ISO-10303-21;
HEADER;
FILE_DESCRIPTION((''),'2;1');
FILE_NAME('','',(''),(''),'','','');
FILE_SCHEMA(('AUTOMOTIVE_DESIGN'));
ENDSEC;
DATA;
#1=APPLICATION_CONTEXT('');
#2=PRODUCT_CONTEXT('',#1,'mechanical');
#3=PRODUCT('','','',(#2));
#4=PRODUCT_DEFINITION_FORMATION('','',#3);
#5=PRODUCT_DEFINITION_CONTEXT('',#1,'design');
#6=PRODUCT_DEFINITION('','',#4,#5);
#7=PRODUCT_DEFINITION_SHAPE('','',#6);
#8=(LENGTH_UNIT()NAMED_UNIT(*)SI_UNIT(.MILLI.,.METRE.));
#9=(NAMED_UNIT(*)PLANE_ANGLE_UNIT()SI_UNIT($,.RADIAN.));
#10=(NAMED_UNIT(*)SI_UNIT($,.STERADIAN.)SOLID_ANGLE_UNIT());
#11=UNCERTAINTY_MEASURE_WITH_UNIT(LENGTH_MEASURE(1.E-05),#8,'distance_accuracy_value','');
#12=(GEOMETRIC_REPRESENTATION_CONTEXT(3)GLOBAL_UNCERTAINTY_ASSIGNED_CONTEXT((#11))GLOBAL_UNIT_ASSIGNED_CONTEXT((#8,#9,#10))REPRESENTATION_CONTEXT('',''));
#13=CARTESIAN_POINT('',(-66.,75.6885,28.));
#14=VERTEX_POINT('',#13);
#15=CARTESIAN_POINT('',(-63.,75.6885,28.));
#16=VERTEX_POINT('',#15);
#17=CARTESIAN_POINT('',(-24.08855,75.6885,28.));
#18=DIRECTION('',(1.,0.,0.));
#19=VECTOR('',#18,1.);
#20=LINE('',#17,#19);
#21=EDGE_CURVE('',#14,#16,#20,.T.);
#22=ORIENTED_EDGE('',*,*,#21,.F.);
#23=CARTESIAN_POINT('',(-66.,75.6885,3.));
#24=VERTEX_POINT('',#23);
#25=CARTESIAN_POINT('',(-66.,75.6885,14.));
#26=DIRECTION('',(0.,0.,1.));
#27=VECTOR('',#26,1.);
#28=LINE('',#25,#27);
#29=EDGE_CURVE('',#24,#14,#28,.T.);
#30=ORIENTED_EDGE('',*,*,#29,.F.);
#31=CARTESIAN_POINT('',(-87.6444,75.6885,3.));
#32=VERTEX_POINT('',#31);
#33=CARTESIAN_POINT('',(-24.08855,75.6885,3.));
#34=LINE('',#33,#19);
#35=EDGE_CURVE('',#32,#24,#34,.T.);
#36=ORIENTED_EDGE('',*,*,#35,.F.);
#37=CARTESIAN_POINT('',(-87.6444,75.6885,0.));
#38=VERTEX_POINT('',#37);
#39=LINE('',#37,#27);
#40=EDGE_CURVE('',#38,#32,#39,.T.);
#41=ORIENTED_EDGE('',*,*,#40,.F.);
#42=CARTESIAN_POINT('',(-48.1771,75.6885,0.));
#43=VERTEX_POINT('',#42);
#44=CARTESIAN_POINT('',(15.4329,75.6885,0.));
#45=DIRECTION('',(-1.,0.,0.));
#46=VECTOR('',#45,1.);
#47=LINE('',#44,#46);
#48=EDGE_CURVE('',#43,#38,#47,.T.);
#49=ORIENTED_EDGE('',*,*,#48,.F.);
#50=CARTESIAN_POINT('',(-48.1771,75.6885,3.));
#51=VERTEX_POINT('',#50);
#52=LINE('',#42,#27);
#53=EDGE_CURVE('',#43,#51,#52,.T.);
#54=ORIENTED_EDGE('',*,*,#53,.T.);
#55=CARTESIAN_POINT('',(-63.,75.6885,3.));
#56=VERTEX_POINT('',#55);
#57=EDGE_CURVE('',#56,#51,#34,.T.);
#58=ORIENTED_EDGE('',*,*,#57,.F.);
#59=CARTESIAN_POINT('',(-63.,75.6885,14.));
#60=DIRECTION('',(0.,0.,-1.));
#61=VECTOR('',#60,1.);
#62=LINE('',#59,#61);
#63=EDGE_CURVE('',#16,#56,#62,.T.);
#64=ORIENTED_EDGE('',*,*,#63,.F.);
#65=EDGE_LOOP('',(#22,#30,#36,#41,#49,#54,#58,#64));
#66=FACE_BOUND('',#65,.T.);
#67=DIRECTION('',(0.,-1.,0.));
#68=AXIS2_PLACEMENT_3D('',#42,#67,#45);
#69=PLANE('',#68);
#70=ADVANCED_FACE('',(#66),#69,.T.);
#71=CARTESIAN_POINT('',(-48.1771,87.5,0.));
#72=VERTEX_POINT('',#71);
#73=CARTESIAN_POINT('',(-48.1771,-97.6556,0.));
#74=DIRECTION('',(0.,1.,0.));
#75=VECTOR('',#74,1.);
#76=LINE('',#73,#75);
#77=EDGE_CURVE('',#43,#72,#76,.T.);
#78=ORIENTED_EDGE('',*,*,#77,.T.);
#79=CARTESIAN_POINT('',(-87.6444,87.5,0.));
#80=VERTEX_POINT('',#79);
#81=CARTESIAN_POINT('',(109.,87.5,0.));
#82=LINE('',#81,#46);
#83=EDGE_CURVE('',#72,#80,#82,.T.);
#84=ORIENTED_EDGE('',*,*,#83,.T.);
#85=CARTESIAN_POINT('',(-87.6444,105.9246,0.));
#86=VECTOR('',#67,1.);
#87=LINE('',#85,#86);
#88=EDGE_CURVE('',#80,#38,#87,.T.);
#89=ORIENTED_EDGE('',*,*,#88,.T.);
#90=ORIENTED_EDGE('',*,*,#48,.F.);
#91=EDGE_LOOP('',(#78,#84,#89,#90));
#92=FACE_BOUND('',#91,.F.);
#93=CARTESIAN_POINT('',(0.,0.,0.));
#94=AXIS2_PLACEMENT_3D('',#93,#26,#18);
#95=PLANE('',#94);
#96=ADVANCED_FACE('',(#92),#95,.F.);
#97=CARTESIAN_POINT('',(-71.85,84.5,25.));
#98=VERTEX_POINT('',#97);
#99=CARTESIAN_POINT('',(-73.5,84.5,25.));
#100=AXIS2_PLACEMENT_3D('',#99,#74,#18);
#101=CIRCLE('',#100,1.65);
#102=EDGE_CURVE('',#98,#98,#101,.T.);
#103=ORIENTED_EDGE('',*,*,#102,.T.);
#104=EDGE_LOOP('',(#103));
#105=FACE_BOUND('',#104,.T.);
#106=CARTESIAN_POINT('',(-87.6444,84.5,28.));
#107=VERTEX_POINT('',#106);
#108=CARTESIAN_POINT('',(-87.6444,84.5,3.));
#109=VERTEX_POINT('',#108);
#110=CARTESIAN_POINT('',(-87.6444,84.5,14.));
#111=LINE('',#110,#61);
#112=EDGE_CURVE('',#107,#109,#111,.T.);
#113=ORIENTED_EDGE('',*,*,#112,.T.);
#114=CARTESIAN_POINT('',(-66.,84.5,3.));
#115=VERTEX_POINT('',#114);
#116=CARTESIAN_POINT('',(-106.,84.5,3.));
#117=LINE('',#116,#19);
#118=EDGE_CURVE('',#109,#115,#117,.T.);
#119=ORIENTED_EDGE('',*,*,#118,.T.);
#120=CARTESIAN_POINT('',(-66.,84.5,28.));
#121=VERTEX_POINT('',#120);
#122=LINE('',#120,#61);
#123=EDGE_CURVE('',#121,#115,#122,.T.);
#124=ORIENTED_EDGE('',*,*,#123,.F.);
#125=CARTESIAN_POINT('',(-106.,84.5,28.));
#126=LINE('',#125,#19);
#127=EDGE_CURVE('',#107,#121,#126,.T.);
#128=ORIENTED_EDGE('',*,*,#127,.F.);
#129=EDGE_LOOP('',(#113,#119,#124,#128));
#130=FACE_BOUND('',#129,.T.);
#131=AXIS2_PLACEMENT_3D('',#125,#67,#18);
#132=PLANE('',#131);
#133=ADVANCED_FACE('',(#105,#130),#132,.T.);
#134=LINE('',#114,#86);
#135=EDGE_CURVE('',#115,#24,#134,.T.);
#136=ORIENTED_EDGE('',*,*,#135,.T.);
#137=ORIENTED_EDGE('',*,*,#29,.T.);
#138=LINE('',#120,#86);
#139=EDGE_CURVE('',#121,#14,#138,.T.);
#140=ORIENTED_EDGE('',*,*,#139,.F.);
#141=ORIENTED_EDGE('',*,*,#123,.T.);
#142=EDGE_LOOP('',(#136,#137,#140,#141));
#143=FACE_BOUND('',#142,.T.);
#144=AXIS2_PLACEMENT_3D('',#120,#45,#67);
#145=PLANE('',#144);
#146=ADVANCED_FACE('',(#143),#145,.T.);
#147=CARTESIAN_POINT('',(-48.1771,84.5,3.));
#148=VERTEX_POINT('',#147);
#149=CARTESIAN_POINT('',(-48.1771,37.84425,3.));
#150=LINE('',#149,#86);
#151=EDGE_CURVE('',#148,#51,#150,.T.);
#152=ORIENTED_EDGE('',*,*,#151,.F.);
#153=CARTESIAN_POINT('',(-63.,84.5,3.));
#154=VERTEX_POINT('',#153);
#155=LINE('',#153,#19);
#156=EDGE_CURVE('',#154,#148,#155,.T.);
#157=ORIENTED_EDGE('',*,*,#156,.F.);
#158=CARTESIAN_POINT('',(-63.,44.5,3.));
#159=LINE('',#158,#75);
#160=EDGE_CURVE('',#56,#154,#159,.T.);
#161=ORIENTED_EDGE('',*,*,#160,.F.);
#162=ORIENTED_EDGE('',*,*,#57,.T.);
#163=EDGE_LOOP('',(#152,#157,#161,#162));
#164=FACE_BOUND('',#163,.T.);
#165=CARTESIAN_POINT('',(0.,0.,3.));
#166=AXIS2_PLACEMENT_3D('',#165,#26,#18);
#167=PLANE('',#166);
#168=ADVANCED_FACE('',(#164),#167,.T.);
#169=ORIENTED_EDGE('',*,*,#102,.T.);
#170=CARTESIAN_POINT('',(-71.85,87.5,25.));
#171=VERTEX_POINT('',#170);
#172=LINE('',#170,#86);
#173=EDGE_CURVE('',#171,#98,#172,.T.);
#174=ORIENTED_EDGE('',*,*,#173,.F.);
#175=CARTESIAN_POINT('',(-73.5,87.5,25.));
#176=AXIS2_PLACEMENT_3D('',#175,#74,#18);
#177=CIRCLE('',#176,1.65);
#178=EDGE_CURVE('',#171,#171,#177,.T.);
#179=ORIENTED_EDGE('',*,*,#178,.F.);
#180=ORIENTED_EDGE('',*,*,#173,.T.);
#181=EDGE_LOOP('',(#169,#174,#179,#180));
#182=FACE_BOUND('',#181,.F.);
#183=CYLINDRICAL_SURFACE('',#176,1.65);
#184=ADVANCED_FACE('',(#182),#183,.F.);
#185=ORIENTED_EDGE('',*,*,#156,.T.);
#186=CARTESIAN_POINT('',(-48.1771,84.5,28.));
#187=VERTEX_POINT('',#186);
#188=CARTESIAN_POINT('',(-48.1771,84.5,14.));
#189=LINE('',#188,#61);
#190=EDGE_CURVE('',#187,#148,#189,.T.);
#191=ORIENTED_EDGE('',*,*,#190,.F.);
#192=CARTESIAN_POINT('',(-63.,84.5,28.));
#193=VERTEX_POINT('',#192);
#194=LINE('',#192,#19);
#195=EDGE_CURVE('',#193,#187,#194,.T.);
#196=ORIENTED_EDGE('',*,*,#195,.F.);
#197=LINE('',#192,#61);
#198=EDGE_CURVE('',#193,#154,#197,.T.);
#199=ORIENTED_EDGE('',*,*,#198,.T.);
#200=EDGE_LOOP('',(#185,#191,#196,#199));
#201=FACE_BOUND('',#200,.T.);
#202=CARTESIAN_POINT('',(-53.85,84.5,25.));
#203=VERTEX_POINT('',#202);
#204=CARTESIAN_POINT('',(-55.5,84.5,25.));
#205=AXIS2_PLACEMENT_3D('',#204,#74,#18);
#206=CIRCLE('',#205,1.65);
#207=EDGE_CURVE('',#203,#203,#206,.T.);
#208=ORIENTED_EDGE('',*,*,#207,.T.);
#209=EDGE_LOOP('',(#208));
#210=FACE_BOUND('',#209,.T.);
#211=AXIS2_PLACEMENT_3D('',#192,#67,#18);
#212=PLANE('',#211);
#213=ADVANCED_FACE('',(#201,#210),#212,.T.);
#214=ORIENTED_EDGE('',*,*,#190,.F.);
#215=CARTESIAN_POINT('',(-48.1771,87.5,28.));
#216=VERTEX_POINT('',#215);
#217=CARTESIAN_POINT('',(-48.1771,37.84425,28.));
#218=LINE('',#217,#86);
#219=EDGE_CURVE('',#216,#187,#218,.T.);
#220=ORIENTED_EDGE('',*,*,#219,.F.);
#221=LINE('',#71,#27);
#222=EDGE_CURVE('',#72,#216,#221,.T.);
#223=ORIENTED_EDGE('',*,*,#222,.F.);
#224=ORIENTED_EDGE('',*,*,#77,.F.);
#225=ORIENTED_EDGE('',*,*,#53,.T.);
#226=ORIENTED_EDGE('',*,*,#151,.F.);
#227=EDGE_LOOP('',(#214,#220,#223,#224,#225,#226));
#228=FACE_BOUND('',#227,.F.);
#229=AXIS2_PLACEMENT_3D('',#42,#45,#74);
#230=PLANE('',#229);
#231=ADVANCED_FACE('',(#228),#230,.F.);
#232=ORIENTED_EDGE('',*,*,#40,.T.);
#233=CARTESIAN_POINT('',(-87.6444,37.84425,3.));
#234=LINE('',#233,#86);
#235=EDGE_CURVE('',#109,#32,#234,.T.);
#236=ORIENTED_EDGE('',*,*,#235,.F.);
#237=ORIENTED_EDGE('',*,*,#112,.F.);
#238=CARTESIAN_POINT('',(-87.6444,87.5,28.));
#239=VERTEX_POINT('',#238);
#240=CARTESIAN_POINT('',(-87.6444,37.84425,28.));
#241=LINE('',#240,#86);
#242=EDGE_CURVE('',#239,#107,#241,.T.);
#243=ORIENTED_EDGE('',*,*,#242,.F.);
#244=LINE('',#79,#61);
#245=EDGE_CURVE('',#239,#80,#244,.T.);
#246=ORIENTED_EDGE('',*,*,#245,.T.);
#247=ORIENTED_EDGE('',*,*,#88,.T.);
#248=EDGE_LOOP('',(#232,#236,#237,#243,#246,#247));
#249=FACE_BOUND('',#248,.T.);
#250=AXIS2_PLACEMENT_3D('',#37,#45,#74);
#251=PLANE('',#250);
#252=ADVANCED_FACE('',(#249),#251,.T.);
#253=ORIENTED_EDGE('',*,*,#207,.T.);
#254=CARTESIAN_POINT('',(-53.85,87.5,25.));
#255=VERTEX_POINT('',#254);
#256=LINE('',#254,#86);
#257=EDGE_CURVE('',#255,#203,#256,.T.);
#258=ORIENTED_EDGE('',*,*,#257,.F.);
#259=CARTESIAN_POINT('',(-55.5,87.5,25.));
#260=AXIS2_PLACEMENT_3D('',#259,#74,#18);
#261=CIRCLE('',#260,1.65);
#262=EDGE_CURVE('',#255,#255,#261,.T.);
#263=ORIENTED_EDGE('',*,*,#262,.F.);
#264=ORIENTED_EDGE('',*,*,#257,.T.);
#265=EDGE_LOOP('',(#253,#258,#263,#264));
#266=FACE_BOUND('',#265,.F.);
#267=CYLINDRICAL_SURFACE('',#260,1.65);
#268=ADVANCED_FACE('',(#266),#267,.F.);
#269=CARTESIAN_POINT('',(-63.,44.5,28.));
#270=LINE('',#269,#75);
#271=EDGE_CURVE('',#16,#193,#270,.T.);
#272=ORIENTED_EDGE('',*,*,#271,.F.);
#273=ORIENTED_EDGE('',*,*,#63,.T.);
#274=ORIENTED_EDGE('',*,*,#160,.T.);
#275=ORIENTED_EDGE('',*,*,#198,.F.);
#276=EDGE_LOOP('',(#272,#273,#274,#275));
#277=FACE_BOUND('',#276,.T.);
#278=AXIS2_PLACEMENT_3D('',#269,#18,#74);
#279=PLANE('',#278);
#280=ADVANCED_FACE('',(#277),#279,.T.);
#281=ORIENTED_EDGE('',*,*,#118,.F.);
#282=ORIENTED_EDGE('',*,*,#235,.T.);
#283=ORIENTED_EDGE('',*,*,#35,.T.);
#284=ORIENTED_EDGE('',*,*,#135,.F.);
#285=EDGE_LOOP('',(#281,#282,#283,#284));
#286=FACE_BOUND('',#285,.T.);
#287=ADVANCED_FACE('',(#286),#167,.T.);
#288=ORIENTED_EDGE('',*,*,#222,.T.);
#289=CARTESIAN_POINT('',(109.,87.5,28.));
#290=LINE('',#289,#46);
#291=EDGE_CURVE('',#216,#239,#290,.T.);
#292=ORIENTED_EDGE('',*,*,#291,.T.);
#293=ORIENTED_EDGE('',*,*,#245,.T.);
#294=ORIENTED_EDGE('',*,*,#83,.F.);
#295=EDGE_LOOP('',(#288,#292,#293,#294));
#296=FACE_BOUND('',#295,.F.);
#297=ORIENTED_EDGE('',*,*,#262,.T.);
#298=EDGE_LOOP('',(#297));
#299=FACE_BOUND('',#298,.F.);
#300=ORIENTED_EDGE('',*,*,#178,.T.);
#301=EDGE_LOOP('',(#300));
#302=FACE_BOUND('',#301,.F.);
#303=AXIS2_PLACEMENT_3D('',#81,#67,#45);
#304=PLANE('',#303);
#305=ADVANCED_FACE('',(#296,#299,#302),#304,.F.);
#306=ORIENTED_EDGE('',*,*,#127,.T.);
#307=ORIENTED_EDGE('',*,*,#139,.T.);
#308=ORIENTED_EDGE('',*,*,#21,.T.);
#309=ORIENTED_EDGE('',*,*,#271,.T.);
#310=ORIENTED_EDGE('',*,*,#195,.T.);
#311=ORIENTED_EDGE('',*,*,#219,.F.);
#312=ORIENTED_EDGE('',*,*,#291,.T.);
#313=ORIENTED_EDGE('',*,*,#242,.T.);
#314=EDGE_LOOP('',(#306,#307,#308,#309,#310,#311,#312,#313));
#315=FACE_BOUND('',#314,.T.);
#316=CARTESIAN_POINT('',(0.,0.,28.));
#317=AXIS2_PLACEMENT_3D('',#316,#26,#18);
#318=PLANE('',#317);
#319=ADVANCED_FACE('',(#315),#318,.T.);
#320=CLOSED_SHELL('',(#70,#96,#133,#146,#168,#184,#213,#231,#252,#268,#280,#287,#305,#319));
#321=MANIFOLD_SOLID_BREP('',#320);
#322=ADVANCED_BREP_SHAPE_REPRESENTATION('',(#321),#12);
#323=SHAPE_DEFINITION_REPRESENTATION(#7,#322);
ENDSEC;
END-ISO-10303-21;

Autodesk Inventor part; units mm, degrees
ref_plane "YZ Plane" through (0, 0, 0) normal (1, 0, 0) x (0, 1, 0)
ref_plane "XZ Plane" through (0, 0, 0) normal (0, 1, 0) x (-1, 0, 0)
ref_plane "XY Plane" through (0, 0, 0) normal (0, 0, 1) x (1, 0, 0)
sketch "Sketch1" plane through (0, 0, 0) normal (0, 0, 1) x (1, 0, 0)
  line L0 (-109, -87.5) -> (109, -87.5)
  line L1 (109, -87.5) -> (109, 87.5)
  line L2 (109, 87.5) -> (-109, 87.5)
  line L3 (-109, 87.5) -> (-109, -87.5)
  line L4 (-109, -87.5) -> (109, 87.5) construction
  line L5 (109, -87.5) -> (-109, 87.5) construction
  point P0 (0, 0)
  dimension "d0" = 218
  dimension "d1" = 175
extrude "Extrusion1" add sketch "Sketch1" along normal blind 28
sketch "Sketch2" plane through (0, 0, 28) normal (0, 0, 1) x (1, 0, 0)
  line L0 (-106, 84.5) -> (-66, 84.5)
  line L1 (-66, 84.5) -> (-66, 44.5)
  line L2 (-66, 44.5) -> (-106, 44.5)
  line L3 (-106, 44.5) -> (-106, 84.5)
  line L4 (-106, 84.5) -> (-66, 44.5) construction
  line L5 (-66, 84.5) -> (-106, 44.5) construction
  line L6 (109, 87.5) -> (-109, 87.5) projected
  line L7 (-109, 87.5) -> (-109, -87.5) projected
  line L8 (-63, 84.5) -> (-23, 84.5)
  line L9 (-23, 84.5) -> (-23, 44.5)
  line L10 (-23, 44.5) -> (-63, 44.5)
  line L11 (-63, 44.5) -> (-63, 84.5)
  line L12 (-63, 84.5) -> (-23, 44.5) construction
  line L13 (-23, 84.5) -> (-63, 44.5) construction
  line L14 (-20, 84.5) -> (20, 84.5)
  line L15 (20, 84.5) -> (20, 44.5)
  line L16 (20, 44.5) -> (-20, 44.5)
  line L17 (-20, 44.5) -> (-20, 84.5)
  line L18 (-20, 84.5) -> (20, 44.5) construction
  line L19 (20, 84.5) -> (-20, 44.5) construction
  line L20 (23, 84.5) -> (63, 84.5)
  line L21 (63, 84.5) -> (63, 44.5)
  line L22 (63, 44.5) -> (23, 44.5)
  line L23 (23, 44.5) -> (23, 84.5)
  line L24 (23, 84.5) -> (63, 44.5) construction
  line L25 (63, 84.5) -> (23, 44.5) construction
  line L26 (66, 84.5) -> (106, 84.5)
  line L27 (106, 84.5) -> (106, 44.5)
  line L28 (106, 44.5) -> (66, 44.5)
  line L29 (66, 44.5) -> (66, 84.5)
  line L30 (66, 84.5) -> (106, 44.5) construction
  line L31 (106, 84.5) -> (66, 44.5) construction
  line L32 (-106, 41.5) -> (-66, 41.5)
  line L33 (-66, 41.5) -> (-66, 1.5)
  line L34 (-66, 1.5) -> (-106, 1.5)
  line L35 (-106, 1.5) -> (-106, 41.5)
  line L36 (-106, 41.5) -> (-66, 1.5) construction
  line L37 (-66, 41.5) -> (-106, 1.5) construction
  line L38 (-63, 41.5) -> (-23, 41.5)
  line L39 (-23, 41.5) -> (-23, 1.5)
  line L40 (-23, 1.5) -> (-63, 1.5)
  line L41 (-63, 1.5) -> (-63, 41.5)
  line L42 (-63, 41.5) -> (-23, 1.5) construction
  line L43 (-23, 41.5) -> (-63, 1.5) construction
  line L44 (-20, 41.5) -> (20, 41.5)
  line L45 (20, 41.5) -> (20, 1.5)
  line L46 (20, 1.5) -> (-20, 1.5)
  line L47 (-20, 1.5) -> (-20, 41.5)
  line L48 (-20, 41.5) -> (20, 1.5) construction
  line L49 (20, 41.5) -> (-20, 1.5) construction
  line L50 (23, 41.5) -> (63, 41.5)
  line L51 (63, 41.5) -> (63, 1.5)
  line L52 (63, 1.5) -> (23, 1.5)
  line L53 (23, 1.5) -> (23, 41.5)
  line L54 (23, 41.5) -> (63, 1.5) construction
  line L55 (63, 41.5) -> (23, 1.5) construction
  line L56 (66, 41.5) -> (106, 41.5)
  line L57 (106, 41.5) -> (106, 1.5)
  line L58 (106, 1.5) -> (66, 1.5)
  line L59 (66, 1.5) -> (66, 41.5)
  line L60 (66, 41.5) -> (106, 1.5) construction
  line L61 (106, 41.5) -> (66, 1.5) construction
  line L62 (-106, -1.5) -> (-66, -1.5)
  line L63 (-66, -1.5) -> (-66, -41.5)
  line L64 (-66, -41.5) -> (-106, -41.5)
  line L65 (-106, -41.5) -> (-106, -1.5)
  line L66 (-106, -1.5) -> (-66, -41.5) construction
  line L67 (-66, -1.5) -> (-106, -41.5) construction
  line L68 (-63, -1.5) -> (-23, -1.5)
  line L69 (-23, -1.5) -> (-23, -41.5)
  line L70 (-23, -41.5) -> (-63, -41.5)
  line L71 (-63, -41.5) -> (-63, -1.5)
  line L72 (-63, -1.5) -> (-23, -41.5) construction
  line L73 (-23, -1.5) -> (-63, -41.5) construction
  line L74 (-20, -1.5) -> (20, -1.5)
  line L75 (20, -1.5) -> (20, -41.5)
  line L76 (20, -41.5) -> (-20, -41.5)
  line L77 (-20, -41.5) -> (-20, -1.5)
  line L78 (-20, -1.5) -> (20, -41.5) construction
  line L79 (20, -1.5) -> (-20, -41.5) construction
  line L80 (23, -1.5) -> (63, -1.5)
  line L81 (63, -1.5) -> (63, -41.5)
  line L82 (63, -41.5) -> (23, -41.5)
  line L83 (23, -41.5) -> (23, -1.5)
  line L84 (23, -1.5) -> (63, -41.5) construction
  line L85 (63, -1.5) -> (23, -41.5) construction
  line L86 (66, -1.5) -> (106, -1.5)
  line L87 (106, -1.5) -> (106, -41.5)
  line L88 (106, -41.5) -> (66, -41.5)
  line L89 (66, -41.5) -> (66, -1.5)
  line L90 (66, -1.5) -> (106, -41.5) construction
  line L91 (106, -1.5) -> (66, -41.5) construction
  line L92 (-106, -44.5) -> (-66, -44.5)
  line L93 (-66, -44.5) -> (-66, -84.5)
  line L94 (-66, -84.5) -> (-106, -84.5)
  line L95 (-106, -84.5) -> (-106, -44.5)
  line L96 (-106, -44.5) -> (-66, -84.5) construction
  line L97 (-66, -44.5) -> (-106, -84.5) construction
  line L98 (-63, -44.5) -> (-23, -44.5)
  line L99 (-23, -44.5) -> (-23, -84.5)
  line L100 (-23, -84.5) -> (-63, -84.5)
  line L101 (-63, -84.5) -> (-63, -44.5)
  line L102 (-63, -44.5) -> (-23, -84.5) construction
  line L103 (-23, -44.5) -> (-63, -84.5) construction
  line L104 (-20, -44.5) -> (20, -44.5)
  line L105 (20, -44.5) -> (20, -84.5)
  line L106 (20, -84.5) -> (-20, -84.5)
  line L107 (-20, -84.5) -> (-20, -44.5)
  line L108 (-20, -44.5) -> (20, -84.5) construction
  line L109 (20, -44.5) -> (-20, -84.5) construction
  line L110 (23, -44.5) -> (63, -44.5)
  line L111 (63, -44.5) -> (63, -84.5)
  line L112 (63, -84.5) -> (23, -84.5)
  line L113 (23, -84.5) -> (23, -44.5)
  line L114 (23, -44.5) -> (63, -84.5) construction
  line L115 (63, -44.5) -> (23, -84.5) construction
  line L116 (66, -44.5) -> (106, -44.5)
  line L117 (106, -44.5) -> (106, -84.5)
  line L118 (106, -84.5) -> (66, -84.5)
  line L119 (66, -84.5) -> (66, -44.5)
  line L120 (66, -44.5) -> (106, -84.5) construction
  line L121 (106, -44.5) -> (66, -84.5) construction
  point P0 (0, 0)
  point P1 (-86, 64.5)
  point P2 (-43, 64.5)
  point P3 (0, 64.5)
  point P4 (43, 64.5)
  point P5 (86, 64.5)
  point P6 (-86, 21.5)
  point P7 (-43, 21.5)
  point P8 (0, 21.5)
  point P9 (43, 21.5)
  point P10 (86, 21.5)
  point P11 (-86, -21.5)
  point P12 (-43, -21.5)
  point P13 (0, -21.5)
  point P14 (43, -21.5)
  point P15 (86, -21.5)
  point P16 (-86, -64.5)
  point P17 (-43, -64.5)
  point P18 (0, -64.5)
  point P19 (43, -64.5)
  point P20 (86, -64.5)
  dimension "d4" = 40
  dimension "d5" = 3
  dimension "d6" = 3
  dimension "d7" = 40
  dimension "d10" = 43
  dimension "d13" = 43
extrude "Extrusion2" cut sketch "Sketch2" against normal blind 25
sketch "Sketch3" plane through (-109, 87.5, 0) normal (0, 1, 0) x (1, 0, 0)
  line L0 (46, -28) -> (46, -3) construction
  line L1 (43, -28) -> (43, -3) construction
  line L2 (43, -28) -> (43, -3) projected
  line L3 (43, -25) -> (46, -25) construction
  line L4 (46, -28) -> (46, -3) projected
  line L5 (218, -28) -> (0, -28) projected
  circle A0 centre (53.5, -25) radius 1.65
  circle A1 centre (35.5, -25) radius 1.65
  line L6 (172, -28) -> (172, -3) construction
  line L7 (175, -28) -> (175, -3) construction
  line L8 (172, -28) -> (172, -3) projected
  line L9 (172, -25) -> (175, -25) construction
  circle A2 centre (182.5, -25) radius 1.65
  circle A3 centre (164.5, -25) radius 1.65
  point P0 (109, 0)
  point P1 (44.5, -25)
  point P2 (173.5, -25)
  dimension "d20" = 3
  dimension "d21" = 3.3
  dimension "d22" = 9
  dimension "d23" = 3.3
  dimension "d24" = 9
  dimension "d25" = 3.3
  dimension "d27" = 9
  dimension "d30" = 3
  dimension "d31" = 3.3
  dimension "d32" = 9
extrude "Extrusion3" cut sketch "Sketch3" against normal blind 10
sketch "Sketch4" plane through (0, 0, 0) normal (0, 0, -1) x (-1, 0, 0)
  line L0 (-109, 87.5) -> (109, 87.5) projected
  line L1 (48.1771, 87.5) -> (-137.115, 87.5)
  line L2 (-137.115, 87.5) -> (-137.115, -97.6556)
  line L3 (-137.115, -97.6556) -> (48.1771, -97.6556)
  line L4 (48.1771, -97.6556) -> (48.1771, 87.5)
  line L5 (153.7374, -115.3645) -> (-15.4329, -115.3645)
  line L6 (-15.4329, -115.3645) -> (-15.4329, 75.6885)
  line L7 (-15.4329, 75.6885) -> (153.7374, 75.6885)
  line L8 (153.7374, 75.6885) -> (153.7374, -115.3645)
  line L9 (153.7374, 38.7258) -> (87.6444, 38.7258)
  line L10 (87.6444, 38.7258) -> (87.6444, 105.9246)
  line L11 (87.6444, 105.9246) -> (153.7374, 105.9246)
  line L12 (153.7374, 105.9246) -> (153.7374, 38.7258)
  point P0 (0, 0)
  point P1 (87.6444, 75.6885)
  point P2 (48.1771, 75.6885)
  point P3 (-15.4329, -97.6556)
  point P4 (153.7374, 75.6885)
extrude "Extrusion4" cut sketch "Sketch4" against normal through all contours L0 L4 L7 L6 L3 L2 L1 | L10 L11 L12 L7 | L7 L10 L9 L8 L5 L6 L3 L4 | L4 L3 L6 L7 | L7 L8 L9 L10
equation "\"d0\" = box_length"
equation "\"d1\" = box_width"
equation "\"d2\" = hole_height + wall"
equation "\"d4\" = hole"
equation "\"d5\" = wall"
equation "\"d6\" = wall"
equation "\"d7\" = hole"
equation "\"d10\" = hole + wall"
equation "\"d13\" = hole + wall"
equation "\"d16\" = hole_height"
equation "\"d23\" = d21"
equation "\"d24\" = d22"
equation "\"d25\" = d21"
equation "\"d27\" = d22"
equation "\"d31\" = d25"
equation "\"d32\" = d27"
equation "\"hole\" = 40"
equation "\"wall\" = 3"
equation "\"hole_height\" = 25"
equation "\"box_length\" = 218"
equation "\"box_width\" = 175"
properties part number "RatPelletBox_v02_holetest"
